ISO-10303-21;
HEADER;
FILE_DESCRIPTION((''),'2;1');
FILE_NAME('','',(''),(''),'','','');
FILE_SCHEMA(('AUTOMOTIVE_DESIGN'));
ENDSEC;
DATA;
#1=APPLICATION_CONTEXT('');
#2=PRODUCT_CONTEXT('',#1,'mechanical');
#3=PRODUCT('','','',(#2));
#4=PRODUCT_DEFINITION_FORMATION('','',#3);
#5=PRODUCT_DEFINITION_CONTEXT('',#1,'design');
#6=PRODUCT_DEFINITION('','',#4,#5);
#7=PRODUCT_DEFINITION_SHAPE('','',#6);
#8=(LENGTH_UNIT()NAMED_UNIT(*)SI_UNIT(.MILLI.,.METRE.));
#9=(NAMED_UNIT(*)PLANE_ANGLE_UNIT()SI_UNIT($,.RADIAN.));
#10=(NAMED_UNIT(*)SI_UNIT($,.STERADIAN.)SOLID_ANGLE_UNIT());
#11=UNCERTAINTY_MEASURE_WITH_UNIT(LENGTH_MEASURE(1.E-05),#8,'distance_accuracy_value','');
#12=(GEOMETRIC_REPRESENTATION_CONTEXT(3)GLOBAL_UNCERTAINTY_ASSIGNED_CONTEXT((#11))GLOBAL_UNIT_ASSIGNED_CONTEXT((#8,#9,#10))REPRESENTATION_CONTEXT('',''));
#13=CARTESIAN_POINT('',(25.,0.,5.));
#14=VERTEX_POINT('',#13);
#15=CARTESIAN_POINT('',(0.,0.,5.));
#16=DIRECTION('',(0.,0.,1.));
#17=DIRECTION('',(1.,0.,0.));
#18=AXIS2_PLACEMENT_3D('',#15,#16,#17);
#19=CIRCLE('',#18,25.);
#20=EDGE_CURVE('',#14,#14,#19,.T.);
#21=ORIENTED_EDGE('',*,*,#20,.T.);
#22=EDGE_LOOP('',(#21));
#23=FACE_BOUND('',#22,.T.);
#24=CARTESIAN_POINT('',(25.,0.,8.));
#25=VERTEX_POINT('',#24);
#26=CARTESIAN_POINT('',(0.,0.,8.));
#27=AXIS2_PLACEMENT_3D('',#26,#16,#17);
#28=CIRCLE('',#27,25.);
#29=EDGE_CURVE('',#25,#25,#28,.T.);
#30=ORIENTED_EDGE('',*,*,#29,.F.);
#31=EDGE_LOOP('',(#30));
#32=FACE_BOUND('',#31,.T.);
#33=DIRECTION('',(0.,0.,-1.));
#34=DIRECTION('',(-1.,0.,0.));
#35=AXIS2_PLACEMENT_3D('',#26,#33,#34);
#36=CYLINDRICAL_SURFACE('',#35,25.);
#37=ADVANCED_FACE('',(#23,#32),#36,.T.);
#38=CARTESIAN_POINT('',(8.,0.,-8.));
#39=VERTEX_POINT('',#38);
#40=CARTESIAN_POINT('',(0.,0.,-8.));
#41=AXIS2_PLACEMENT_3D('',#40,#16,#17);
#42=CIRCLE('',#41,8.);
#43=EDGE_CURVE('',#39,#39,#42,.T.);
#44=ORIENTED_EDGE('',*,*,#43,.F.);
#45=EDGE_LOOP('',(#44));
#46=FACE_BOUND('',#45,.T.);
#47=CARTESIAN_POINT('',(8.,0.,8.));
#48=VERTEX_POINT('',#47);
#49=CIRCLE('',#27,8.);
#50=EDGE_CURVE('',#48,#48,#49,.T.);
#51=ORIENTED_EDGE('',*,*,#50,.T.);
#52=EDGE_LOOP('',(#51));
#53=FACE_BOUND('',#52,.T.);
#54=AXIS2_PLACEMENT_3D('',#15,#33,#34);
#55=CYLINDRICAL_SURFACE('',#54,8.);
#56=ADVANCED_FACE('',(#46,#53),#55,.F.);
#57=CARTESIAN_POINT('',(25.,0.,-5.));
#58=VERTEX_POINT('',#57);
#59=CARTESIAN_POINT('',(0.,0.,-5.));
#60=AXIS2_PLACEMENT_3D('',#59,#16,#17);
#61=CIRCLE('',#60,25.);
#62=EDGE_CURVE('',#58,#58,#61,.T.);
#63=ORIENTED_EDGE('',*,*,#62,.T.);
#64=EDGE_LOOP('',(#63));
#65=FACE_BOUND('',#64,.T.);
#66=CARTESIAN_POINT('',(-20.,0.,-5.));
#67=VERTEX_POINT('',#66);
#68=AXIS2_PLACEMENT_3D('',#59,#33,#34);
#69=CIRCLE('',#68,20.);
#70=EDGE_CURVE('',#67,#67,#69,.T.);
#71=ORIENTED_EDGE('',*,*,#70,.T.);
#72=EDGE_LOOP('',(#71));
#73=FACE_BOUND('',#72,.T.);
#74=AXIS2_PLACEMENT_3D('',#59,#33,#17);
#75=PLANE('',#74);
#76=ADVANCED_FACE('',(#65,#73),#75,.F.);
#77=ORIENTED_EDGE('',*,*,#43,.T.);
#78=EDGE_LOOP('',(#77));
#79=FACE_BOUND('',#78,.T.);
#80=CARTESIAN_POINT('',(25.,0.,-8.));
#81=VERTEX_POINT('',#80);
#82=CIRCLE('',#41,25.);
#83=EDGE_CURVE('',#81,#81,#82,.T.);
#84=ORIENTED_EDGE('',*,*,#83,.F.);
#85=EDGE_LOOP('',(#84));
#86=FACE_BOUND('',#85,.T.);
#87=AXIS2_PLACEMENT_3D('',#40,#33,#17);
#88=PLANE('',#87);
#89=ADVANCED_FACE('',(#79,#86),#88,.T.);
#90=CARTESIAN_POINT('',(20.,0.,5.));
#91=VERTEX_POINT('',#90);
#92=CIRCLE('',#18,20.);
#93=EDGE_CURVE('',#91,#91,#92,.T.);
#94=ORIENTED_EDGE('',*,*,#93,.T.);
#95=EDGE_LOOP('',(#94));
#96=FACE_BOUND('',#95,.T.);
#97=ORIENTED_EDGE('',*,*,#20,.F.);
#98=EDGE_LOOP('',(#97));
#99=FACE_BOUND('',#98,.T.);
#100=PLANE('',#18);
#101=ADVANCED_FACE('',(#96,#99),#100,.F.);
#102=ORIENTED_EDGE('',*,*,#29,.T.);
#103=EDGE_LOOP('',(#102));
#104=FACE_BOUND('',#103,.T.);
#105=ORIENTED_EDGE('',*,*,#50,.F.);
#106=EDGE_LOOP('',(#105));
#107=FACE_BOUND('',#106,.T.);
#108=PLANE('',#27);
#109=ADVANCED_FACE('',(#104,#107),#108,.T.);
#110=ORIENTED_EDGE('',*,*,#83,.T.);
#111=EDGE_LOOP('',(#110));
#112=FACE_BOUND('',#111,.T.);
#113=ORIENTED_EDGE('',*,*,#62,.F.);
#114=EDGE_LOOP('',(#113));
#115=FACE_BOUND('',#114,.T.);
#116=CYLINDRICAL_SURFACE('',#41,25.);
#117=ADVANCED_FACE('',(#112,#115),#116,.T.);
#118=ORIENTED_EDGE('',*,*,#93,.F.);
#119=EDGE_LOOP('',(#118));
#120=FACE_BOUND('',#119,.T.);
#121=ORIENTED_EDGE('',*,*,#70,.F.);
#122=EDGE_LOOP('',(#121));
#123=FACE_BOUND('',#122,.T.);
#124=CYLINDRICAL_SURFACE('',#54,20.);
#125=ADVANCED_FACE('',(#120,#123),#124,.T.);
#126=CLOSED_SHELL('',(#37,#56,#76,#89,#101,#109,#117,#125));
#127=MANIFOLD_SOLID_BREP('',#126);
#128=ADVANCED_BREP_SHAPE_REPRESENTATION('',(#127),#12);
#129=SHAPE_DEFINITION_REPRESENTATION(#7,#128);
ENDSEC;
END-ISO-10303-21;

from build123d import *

# Parameters (mm, degrees)
CROQUIS1_R              = 20
CROQUIS1_R_2            = 8
SALIENTE_EXTRUIR1_DEPTH = 5
CROQUIS2_R              = 25
CROQUIS2_R_2            = 8
SALIENTE_EXTRUIR2_DEPTH = 3


with BuildPart() as part:
    # Croquis1 → Saliente-Extruir1 (new, symmetric)
    with BuildSketch(Plane.XY):
        Circle(CROQUIS1_R)
        Circle(CROQUIS1_R_2, mode=Mode.SUBTRACT)
    extrude(amount=SALIENTE_EXTRUIR1_DEPTH, both=True)

    # Croquis2 → Saliente-Extruir2 (add)
    with BuildSketch(Plane.XY.offset(5)):
        Circle(CROQUIS2_R)
        Circle(CROQUIS2_R_2, mode=Mode.SUBTRACT)
    saliente_extruir2 = extrude(amount=SALIENTE_EXTRUIR2_DEPTH)

    # Simetría1: Saliente-Extruir2 across plane
    add(saliente_extruir2.mirror(Plane.XY))


solid = part.part
